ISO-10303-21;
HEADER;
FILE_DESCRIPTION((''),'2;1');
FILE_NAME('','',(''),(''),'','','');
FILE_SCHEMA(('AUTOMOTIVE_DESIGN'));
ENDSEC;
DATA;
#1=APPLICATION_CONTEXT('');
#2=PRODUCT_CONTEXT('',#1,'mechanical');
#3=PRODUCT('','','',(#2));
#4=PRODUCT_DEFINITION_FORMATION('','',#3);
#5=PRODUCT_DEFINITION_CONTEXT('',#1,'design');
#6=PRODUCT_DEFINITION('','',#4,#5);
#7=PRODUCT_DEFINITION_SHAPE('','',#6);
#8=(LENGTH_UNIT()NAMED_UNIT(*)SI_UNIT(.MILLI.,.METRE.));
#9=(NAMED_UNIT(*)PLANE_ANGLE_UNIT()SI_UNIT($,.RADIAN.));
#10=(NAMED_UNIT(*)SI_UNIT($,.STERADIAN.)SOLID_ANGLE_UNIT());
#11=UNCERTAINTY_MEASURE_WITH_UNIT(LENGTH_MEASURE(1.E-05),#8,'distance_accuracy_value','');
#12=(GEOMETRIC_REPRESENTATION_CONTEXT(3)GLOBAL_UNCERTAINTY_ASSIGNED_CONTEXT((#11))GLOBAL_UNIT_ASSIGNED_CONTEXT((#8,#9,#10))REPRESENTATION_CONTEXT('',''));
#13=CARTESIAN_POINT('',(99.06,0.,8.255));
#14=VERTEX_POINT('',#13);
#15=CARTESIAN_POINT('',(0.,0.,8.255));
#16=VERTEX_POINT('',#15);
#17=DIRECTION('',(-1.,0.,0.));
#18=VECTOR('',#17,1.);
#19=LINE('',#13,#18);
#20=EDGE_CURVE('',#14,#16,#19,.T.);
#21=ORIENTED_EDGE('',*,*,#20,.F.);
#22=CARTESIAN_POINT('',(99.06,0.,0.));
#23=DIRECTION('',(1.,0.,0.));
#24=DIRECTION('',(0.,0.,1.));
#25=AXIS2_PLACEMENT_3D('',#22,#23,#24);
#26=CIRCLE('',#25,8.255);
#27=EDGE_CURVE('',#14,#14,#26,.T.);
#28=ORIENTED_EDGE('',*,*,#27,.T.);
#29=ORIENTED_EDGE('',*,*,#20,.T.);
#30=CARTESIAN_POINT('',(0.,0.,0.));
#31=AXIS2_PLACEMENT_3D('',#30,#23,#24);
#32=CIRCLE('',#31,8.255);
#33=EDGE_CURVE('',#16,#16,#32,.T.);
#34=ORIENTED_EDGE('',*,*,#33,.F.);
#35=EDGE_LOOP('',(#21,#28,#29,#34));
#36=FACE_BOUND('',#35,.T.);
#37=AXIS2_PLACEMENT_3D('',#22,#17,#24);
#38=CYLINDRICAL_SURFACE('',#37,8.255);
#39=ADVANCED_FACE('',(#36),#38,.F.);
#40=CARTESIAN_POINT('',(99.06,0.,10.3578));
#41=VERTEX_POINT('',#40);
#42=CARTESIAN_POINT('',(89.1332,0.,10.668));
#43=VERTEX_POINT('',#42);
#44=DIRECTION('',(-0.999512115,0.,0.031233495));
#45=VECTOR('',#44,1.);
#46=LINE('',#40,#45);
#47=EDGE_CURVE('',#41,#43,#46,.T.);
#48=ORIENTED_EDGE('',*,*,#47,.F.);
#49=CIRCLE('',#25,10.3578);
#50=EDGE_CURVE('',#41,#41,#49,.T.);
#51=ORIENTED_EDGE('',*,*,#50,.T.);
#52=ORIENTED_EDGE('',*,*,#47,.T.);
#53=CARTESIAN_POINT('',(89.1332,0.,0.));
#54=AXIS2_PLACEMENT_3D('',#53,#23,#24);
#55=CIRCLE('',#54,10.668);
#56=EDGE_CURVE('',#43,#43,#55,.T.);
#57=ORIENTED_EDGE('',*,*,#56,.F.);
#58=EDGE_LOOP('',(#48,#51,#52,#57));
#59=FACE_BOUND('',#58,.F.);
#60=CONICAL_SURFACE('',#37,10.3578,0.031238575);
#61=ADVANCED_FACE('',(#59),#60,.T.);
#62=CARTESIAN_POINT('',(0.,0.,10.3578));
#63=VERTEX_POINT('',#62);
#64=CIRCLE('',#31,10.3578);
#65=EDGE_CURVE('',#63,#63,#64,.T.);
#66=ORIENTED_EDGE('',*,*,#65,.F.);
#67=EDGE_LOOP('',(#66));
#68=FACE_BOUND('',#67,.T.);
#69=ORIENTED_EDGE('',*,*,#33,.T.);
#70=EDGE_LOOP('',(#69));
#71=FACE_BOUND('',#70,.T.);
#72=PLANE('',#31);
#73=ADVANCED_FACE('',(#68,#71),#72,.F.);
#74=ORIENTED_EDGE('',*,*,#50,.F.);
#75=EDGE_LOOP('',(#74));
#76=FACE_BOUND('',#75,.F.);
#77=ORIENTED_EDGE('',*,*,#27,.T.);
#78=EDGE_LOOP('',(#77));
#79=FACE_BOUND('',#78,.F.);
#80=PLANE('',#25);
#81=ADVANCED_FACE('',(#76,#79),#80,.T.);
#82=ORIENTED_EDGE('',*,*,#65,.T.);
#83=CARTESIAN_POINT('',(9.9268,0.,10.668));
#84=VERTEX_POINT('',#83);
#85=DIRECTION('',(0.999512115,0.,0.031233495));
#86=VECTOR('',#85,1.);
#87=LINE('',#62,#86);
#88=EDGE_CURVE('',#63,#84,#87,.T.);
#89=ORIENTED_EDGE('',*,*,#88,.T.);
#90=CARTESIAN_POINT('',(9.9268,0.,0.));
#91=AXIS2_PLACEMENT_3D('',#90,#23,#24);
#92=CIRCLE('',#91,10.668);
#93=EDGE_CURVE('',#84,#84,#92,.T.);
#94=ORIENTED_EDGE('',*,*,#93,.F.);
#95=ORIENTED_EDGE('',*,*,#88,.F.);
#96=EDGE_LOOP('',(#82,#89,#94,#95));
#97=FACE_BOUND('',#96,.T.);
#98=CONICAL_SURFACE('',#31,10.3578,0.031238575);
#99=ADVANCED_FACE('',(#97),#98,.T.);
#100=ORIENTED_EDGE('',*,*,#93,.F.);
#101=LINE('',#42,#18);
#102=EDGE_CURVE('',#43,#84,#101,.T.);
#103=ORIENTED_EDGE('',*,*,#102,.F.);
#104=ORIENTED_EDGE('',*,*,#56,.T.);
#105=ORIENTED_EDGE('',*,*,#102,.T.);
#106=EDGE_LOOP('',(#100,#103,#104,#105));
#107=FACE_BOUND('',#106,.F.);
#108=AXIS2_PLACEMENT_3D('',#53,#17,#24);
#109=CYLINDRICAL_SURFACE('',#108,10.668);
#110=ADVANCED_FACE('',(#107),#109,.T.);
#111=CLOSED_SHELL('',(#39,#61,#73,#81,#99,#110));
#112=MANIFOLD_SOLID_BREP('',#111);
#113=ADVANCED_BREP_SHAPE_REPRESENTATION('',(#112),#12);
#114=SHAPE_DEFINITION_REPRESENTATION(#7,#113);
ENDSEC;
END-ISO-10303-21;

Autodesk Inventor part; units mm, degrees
ref_plane "YZ Plane" through (0, 0, 0) normal (1, 0, 0) x (0, 1, 0)
ref_plane "XZ Plane" through (0, 0, 0) normal (0, 1, 0) x (-1, 0, 0)
ref_plane "XY Plane" through (0, 0, 0) normal (0, 0, 1) x (1, 0, 0)
sketch "Sketch1" plane through (0, 0, 0) normal (0, 1, 0) x (-1, 0, 0)
  line L0 (0, 0) -> (-99.06, 0)
  line L1 (-99.06, 0) -> (-99.06, 8.255) construction
  line L2 (-99.06, 8.255) -> (-99.06, 10.3578)
  line L3 (-99.06, 10.3578) -> (-89.1332, 10.668)
  line L4 (-89.1332, 10.668) -> (-9.9268, 10.668)
  line L5 (-49.53, 0) -> (-49.53, 10.668) construction
  line L6 (-99.06, 8.255) -> (0, 8.255)
  line L7 (0, 0) -> (0, 8.255) construction
  line L8 (0, 8.255) -> (0, 10.3578)
  line L9 (0, 10.3578) -> (-9.9268, 10.668)
  line L10 (-85.504, 10.7814) -> (-85.504, 0) construction
  line L11 (-13.556, 10.7814) -> (-13.556, 0) construction
  line L12 (-89.1332, 10.668) -> (-85.504, 10.7814) construction
  line L13 (-89.1332, 10.668) -> (-89.1332, 0) construction
  line L14 (-9.9268, 10.668) -> (-13.556, 10.7814) construction
  line L15 (-9.9268, 10.668) -> (-9.9268, 0) construction
  dimension "d0" = 21.336
  dimension "d1" = 1.79
  dimension "d2" = 16.51
  dimension "d3" = 99.06
  dimension "d4" = 13.556
  dimension "d5" = 21.5628
revolve "Revolution1" add sketch "Sketch1" angle 360 about axis through (0, 0, 0) along (1, 0, 0)
thread "Thread1" size "1/2" designation "1/2 - 14 NPT" standard "NPT" full length
thread "Thread2" size "1/2" designation "1/2 - 14 NPT" standard "NPT" full length
equation "\"d0\" = OD"
equation "\"d2\" = ID"
equation "\"d3\" = L"
equation "\"d4\" = L2"
equation "\"d5\" = D2"
equation "\"OD\" = 21.336"
equation "\"t\" = 2.413"
equation "\"L\" = PL"
equation "\"L4\" = 19.8501"
equation "\"ID\" = 16.51"
equation "\"PL\" = 99.06"
equation "\"D2\" = 21.56282"
equation "\"L2\" = 13.55598"
equation "\"Size_Designation\" = 1.2345"
equation "\"PLmin\" = 2 * L2"
properties material "Steel, Wrought"
